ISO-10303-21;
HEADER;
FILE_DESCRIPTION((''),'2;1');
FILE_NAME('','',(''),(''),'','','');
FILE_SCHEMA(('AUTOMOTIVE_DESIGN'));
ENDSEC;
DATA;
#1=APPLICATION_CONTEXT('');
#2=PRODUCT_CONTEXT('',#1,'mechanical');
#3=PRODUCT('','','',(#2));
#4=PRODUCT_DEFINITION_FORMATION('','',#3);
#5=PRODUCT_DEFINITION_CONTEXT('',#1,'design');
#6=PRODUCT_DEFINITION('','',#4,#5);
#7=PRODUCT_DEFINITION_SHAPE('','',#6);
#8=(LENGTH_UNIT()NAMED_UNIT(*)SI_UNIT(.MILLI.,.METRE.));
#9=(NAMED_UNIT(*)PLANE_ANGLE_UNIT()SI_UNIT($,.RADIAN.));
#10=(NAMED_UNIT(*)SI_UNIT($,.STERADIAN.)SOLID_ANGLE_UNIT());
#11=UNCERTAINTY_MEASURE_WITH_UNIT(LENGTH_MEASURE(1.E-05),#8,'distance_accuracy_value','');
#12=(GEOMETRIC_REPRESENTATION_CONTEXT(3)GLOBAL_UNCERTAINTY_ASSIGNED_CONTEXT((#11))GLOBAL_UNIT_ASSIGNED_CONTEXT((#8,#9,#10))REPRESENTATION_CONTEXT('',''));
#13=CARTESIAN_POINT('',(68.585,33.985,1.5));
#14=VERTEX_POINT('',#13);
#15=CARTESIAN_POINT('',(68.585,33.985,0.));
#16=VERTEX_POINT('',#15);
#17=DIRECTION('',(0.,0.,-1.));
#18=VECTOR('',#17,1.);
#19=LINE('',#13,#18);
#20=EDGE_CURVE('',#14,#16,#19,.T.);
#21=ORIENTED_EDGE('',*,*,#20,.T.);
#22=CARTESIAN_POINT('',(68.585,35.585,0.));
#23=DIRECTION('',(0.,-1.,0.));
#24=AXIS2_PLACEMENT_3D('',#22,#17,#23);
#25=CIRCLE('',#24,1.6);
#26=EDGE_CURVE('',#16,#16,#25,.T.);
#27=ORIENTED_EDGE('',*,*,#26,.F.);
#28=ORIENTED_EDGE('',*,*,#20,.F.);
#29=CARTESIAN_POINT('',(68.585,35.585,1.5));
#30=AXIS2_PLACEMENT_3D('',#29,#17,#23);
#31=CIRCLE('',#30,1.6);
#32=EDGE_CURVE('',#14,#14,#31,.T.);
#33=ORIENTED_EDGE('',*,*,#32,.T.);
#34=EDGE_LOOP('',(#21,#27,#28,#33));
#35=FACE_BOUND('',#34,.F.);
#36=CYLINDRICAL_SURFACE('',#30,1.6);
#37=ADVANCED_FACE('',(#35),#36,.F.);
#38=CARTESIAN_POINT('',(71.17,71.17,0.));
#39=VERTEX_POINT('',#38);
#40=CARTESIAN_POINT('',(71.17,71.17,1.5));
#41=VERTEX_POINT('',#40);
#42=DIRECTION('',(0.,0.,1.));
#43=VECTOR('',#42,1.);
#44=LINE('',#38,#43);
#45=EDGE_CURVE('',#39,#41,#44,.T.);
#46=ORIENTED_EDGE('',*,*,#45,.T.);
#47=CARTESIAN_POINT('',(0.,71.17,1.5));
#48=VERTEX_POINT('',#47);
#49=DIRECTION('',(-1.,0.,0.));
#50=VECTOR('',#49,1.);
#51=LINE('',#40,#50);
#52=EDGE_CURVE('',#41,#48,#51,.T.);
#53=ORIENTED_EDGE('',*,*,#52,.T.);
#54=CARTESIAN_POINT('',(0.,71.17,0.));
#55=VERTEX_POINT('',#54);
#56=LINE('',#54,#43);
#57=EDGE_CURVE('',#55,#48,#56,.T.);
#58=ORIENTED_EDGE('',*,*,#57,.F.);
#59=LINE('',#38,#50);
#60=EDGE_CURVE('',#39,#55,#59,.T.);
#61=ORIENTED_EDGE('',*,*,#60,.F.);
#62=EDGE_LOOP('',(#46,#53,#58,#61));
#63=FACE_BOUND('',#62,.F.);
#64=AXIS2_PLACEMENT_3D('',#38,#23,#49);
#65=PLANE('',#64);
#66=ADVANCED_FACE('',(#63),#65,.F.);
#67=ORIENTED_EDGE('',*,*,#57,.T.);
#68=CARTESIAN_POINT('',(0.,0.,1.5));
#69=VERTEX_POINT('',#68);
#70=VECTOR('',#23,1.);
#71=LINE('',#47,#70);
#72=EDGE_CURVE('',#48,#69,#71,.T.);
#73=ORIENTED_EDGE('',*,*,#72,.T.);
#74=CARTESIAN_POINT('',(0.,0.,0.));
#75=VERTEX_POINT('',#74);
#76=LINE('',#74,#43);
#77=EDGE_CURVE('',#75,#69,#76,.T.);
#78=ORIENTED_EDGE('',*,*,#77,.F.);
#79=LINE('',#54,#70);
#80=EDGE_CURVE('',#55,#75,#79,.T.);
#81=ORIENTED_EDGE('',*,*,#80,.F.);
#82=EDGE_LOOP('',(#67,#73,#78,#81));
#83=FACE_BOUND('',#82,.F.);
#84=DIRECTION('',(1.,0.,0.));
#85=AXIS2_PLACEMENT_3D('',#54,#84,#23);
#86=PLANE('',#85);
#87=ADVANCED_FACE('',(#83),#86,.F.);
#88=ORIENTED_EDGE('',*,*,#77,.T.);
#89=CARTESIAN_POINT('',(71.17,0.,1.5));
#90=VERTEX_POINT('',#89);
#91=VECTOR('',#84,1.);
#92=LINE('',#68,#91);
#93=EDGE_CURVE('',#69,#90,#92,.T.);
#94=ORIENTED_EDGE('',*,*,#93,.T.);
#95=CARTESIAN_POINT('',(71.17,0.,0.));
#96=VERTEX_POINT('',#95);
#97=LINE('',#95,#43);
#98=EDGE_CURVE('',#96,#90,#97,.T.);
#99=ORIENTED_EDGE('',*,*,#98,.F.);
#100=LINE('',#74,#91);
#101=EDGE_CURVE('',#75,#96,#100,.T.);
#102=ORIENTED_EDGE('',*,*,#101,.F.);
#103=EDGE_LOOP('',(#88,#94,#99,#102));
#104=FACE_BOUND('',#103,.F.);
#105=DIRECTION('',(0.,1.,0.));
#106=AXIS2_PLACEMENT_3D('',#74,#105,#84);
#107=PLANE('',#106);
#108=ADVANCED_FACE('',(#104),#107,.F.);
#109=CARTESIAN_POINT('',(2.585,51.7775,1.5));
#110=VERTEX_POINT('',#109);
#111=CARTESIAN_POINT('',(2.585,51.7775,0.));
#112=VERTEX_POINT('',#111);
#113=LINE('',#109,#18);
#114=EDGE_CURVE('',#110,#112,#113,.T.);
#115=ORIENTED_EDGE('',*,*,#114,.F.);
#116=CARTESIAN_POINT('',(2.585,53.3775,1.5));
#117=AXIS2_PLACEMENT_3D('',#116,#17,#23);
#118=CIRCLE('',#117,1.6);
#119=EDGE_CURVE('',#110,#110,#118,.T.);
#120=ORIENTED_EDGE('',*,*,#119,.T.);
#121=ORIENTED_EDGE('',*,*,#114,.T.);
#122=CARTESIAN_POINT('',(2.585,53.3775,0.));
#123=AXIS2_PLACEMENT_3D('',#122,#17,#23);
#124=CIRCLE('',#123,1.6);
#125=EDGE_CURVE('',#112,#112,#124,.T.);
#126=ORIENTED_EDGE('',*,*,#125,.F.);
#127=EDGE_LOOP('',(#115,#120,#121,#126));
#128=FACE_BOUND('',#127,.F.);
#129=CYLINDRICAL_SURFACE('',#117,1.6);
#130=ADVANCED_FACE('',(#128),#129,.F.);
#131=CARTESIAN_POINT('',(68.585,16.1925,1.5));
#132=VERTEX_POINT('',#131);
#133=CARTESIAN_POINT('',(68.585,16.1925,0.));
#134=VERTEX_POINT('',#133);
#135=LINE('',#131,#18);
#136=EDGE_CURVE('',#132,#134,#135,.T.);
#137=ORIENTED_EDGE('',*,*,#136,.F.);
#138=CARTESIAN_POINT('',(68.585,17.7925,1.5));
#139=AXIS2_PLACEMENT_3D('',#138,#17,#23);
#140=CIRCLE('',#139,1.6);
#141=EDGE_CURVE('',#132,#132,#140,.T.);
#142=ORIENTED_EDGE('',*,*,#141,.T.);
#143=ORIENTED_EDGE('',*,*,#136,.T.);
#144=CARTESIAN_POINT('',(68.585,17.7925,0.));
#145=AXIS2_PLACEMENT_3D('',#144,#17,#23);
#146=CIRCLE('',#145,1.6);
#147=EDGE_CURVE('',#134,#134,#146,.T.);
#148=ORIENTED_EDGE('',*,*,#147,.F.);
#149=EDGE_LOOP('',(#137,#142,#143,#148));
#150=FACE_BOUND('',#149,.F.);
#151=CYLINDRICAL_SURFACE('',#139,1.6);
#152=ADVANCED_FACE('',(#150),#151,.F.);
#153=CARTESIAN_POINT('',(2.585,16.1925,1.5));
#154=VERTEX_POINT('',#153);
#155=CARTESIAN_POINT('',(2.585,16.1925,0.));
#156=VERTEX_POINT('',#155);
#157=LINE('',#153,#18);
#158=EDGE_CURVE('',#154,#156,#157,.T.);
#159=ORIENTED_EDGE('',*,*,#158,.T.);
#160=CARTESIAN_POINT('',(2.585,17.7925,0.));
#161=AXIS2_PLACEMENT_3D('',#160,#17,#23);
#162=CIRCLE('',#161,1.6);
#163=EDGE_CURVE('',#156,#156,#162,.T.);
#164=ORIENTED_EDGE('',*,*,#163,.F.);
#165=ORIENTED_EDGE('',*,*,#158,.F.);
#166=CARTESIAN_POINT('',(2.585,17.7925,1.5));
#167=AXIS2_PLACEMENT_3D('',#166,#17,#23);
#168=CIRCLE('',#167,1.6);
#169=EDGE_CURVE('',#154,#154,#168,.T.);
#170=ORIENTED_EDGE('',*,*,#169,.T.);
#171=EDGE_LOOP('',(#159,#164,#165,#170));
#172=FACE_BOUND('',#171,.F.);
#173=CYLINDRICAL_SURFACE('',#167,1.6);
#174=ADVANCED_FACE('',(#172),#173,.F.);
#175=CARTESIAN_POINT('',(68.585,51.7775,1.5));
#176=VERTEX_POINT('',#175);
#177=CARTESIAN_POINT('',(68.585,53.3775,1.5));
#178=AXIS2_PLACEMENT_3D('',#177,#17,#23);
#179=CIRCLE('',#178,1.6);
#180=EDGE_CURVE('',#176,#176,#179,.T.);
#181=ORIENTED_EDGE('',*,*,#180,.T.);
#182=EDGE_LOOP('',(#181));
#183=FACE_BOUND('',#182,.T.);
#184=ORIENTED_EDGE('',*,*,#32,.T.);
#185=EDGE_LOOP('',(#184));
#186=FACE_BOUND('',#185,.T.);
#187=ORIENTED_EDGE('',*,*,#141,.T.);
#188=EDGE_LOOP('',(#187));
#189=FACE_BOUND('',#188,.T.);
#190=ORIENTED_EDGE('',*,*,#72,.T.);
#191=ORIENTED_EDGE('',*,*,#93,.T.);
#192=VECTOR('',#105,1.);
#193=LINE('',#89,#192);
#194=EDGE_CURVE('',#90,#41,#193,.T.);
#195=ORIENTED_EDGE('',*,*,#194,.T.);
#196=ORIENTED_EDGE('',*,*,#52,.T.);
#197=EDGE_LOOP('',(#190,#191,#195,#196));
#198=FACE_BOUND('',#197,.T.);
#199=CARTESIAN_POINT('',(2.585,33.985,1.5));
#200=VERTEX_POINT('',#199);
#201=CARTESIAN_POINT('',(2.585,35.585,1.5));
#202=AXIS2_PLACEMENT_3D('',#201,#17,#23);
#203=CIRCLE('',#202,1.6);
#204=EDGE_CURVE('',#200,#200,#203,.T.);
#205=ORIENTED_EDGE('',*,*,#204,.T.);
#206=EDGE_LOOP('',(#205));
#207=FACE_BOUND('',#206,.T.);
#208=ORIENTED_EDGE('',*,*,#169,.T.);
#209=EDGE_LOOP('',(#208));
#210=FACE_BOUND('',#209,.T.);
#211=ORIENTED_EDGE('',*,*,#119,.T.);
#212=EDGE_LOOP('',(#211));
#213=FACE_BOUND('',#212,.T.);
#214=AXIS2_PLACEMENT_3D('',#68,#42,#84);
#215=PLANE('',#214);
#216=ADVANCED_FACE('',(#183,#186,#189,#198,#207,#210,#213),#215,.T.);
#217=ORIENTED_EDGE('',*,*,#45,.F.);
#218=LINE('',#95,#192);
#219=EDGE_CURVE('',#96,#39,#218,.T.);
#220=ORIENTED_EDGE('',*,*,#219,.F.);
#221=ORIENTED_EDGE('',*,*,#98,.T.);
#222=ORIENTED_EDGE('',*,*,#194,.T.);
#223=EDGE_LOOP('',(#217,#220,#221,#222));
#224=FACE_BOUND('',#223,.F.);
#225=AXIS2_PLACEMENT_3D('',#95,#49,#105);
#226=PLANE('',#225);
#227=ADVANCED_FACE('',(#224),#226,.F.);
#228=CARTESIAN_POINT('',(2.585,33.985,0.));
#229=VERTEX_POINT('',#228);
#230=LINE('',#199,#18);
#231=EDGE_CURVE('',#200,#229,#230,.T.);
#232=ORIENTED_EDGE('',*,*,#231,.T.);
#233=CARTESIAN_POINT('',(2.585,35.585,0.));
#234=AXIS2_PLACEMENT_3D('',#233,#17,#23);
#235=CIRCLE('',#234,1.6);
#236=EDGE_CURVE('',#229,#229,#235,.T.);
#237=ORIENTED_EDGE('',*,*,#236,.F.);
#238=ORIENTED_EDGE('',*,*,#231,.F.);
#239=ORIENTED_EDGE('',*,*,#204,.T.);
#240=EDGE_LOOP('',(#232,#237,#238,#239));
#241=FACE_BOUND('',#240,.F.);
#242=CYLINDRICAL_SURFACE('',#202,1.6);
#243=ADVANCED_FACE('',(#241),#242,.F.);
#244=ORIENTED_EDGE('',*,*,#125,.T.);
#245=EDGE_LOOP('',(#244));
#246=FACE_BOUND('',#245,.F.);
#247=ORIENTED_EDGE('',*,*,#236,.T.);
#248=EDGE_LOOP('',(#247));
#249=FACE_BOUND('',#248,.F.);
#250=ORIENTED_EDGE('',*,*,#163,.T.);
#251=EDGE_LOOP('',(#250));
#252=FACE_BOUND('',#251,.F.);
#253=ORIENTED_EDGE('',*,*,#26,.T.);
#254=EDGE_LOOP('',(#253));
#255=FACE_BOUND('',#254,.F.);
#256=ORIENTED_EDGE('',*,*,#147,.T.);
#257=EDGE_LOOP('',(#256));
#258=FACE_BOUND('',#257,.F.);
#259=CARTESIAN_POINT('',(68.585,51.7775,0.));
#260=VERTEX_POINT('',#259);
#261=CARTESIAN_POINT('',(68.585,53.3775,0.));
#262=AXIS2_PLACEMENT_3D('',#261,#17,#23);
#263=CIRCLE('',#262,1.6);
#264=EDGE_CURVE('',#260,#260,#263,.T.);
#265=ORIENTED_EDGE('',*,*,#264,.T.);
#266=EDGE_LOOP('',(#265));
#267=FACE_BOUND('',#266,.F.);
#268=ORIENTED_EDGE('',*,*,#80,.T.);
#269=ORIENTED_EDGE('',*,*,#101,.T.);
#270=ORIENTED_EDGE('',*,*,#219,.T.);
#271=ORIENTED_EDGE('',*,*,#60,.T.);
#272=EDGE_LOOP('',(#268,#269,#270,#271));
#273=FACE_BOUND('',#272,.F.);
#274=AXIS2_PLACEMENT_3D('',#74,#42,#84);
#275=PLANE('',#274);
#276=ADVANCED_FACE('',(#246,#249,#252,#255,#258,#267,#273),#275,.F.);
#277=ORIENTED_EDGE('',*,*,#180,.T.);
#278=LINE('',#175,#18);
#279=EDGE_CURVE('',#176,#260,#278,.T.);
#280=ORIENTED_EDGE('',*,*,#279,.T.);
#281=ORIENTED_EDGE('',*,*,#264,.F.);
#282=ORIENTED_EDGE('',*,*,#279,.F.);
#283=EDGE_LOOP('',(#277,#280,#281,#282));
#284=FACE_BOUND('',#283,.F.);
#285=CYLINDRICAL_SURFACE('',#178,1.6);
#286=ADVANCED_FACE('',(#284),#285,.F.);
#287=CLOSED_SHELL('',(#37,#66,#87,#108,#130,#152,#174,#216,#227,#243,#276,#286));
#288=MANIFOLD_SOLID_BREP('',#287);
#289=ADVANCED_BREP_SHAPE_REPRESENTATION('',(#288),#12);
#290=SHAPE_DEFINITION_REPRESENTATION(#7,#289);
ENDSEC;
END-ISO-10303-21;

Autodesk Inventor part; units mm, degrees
ref_plane "YZ Plane" through (0, 0, 0) normal (1, 0, 0) x (0, 1, 0)
ref_plane "XZ Plane" through (0, 0, 0) normal (0, 1, 0) x (-1, 0, 0)
ref_plane "XY Plane" through (0, 0, 0) normal (0, 0, 1) x (1, 0, 0)
sketch "Sketch1" plane through (0, 0, 0) normal (0, 0, 1) x (1, 0, 0)
  line L0 (0, 0) -> (71.17, 0)
  line L1 (71.17, 0) -> (71.17, 71.17)
  line L2 (71.17, 71.17) -> (0, 71.17)
  line L3 (0, 71.17) -> (0, 0)
  dimension "d0" = 71.17
  dimension "d1" = 71.17
extrude "Extrusion1" add sketch "Sketch1" along normal blind 1.5
sketch "Sketch3" plane through (0, 0, 1.5) normal (0, 0, 1) x (1, 0, 0)
  line L0 (0, 71.17) -> (71.3183, 71.0211) construction
  line L1 (71.3183, 71.0211) -> (71.17, 0) construction
  line L2 (71.17, 0) -> (-0.1483, 0.1489) construction
  line L3 (-0.1483, 0.1489) -> (0, 71.17) construction
decal "Decal1"
sketch "Sketch4" plane through (0, 0, 0) normal (0, 0, -1) x (-1, 0, 0)
  line L0 (-71.17, 71.17) -> (0, 71.17) construction
  line L1 (0, 71.17) -> (0, 0) construction
  line L2 (0, 0) -> (-71.17, 0) construction
  line L3 (-71.17, 0) -> (-71.17, 71.17) construction
decal "Decal2"
sketch "Sketch5" plane through (0, 0, 1.5) normal (0, 0, 1) x (1, 0, 0)
  line L0 (0, 0) -> (71.17, 0) projected
  line L1 (71.17, 0) -> (71.17, 71.17) projected
  line L2 (71.17, 71.17) -> (0, 71.17) projected
  line L3 (71.17, 71.17) -> (0, 0)
  line L4 (0, 71.17) -> (71.17, 0)
  line L5 (35.585, 35.585) -> (35.585, 71.17)
  line L6 (71.17, 0) -> (71.17, 17.7925)
  line L7 (35.585, 35.585) -> (71.17, 35.585)
  line L8 (71.17, 71.17) -> (71.17, 53.3775)
  line L9 (35.585, 71.17) -> (68.585, 71.17)
  line L10 (68.585, 71.17) -> (68.585, 0)
  line L11 (71.17, 53.3775) -> (68.585, 53.3775)
  line L12 (71.17, 35.585) -> (68.585, 35.585)
  line L13 (71.17, 17.7925) -> (68.585, 17.7925)
  point P0 (2.585, 53.3775)
  point P1 (2.585, 35.585)
  point P2 (2.585, 17.7925)
  dimension "d25" = 17.7925
  dimension "d26" = 17.7925
  dimension "d27" = 33
hole "Hole1" at (68.585, 53.3775, 1.5) at (68.585, 35.585, 1.5) at (68.585, 17.7925, 1.5) at (2.585, 53.3775, 1.5) at (2.585, 35.585, 1.5) at (2.585, 17.7925, 1.5) direction (0, 0, -1) diameter 3.2 end through all
properties part number "8x8 board" material "Acetal Resin, Black"
